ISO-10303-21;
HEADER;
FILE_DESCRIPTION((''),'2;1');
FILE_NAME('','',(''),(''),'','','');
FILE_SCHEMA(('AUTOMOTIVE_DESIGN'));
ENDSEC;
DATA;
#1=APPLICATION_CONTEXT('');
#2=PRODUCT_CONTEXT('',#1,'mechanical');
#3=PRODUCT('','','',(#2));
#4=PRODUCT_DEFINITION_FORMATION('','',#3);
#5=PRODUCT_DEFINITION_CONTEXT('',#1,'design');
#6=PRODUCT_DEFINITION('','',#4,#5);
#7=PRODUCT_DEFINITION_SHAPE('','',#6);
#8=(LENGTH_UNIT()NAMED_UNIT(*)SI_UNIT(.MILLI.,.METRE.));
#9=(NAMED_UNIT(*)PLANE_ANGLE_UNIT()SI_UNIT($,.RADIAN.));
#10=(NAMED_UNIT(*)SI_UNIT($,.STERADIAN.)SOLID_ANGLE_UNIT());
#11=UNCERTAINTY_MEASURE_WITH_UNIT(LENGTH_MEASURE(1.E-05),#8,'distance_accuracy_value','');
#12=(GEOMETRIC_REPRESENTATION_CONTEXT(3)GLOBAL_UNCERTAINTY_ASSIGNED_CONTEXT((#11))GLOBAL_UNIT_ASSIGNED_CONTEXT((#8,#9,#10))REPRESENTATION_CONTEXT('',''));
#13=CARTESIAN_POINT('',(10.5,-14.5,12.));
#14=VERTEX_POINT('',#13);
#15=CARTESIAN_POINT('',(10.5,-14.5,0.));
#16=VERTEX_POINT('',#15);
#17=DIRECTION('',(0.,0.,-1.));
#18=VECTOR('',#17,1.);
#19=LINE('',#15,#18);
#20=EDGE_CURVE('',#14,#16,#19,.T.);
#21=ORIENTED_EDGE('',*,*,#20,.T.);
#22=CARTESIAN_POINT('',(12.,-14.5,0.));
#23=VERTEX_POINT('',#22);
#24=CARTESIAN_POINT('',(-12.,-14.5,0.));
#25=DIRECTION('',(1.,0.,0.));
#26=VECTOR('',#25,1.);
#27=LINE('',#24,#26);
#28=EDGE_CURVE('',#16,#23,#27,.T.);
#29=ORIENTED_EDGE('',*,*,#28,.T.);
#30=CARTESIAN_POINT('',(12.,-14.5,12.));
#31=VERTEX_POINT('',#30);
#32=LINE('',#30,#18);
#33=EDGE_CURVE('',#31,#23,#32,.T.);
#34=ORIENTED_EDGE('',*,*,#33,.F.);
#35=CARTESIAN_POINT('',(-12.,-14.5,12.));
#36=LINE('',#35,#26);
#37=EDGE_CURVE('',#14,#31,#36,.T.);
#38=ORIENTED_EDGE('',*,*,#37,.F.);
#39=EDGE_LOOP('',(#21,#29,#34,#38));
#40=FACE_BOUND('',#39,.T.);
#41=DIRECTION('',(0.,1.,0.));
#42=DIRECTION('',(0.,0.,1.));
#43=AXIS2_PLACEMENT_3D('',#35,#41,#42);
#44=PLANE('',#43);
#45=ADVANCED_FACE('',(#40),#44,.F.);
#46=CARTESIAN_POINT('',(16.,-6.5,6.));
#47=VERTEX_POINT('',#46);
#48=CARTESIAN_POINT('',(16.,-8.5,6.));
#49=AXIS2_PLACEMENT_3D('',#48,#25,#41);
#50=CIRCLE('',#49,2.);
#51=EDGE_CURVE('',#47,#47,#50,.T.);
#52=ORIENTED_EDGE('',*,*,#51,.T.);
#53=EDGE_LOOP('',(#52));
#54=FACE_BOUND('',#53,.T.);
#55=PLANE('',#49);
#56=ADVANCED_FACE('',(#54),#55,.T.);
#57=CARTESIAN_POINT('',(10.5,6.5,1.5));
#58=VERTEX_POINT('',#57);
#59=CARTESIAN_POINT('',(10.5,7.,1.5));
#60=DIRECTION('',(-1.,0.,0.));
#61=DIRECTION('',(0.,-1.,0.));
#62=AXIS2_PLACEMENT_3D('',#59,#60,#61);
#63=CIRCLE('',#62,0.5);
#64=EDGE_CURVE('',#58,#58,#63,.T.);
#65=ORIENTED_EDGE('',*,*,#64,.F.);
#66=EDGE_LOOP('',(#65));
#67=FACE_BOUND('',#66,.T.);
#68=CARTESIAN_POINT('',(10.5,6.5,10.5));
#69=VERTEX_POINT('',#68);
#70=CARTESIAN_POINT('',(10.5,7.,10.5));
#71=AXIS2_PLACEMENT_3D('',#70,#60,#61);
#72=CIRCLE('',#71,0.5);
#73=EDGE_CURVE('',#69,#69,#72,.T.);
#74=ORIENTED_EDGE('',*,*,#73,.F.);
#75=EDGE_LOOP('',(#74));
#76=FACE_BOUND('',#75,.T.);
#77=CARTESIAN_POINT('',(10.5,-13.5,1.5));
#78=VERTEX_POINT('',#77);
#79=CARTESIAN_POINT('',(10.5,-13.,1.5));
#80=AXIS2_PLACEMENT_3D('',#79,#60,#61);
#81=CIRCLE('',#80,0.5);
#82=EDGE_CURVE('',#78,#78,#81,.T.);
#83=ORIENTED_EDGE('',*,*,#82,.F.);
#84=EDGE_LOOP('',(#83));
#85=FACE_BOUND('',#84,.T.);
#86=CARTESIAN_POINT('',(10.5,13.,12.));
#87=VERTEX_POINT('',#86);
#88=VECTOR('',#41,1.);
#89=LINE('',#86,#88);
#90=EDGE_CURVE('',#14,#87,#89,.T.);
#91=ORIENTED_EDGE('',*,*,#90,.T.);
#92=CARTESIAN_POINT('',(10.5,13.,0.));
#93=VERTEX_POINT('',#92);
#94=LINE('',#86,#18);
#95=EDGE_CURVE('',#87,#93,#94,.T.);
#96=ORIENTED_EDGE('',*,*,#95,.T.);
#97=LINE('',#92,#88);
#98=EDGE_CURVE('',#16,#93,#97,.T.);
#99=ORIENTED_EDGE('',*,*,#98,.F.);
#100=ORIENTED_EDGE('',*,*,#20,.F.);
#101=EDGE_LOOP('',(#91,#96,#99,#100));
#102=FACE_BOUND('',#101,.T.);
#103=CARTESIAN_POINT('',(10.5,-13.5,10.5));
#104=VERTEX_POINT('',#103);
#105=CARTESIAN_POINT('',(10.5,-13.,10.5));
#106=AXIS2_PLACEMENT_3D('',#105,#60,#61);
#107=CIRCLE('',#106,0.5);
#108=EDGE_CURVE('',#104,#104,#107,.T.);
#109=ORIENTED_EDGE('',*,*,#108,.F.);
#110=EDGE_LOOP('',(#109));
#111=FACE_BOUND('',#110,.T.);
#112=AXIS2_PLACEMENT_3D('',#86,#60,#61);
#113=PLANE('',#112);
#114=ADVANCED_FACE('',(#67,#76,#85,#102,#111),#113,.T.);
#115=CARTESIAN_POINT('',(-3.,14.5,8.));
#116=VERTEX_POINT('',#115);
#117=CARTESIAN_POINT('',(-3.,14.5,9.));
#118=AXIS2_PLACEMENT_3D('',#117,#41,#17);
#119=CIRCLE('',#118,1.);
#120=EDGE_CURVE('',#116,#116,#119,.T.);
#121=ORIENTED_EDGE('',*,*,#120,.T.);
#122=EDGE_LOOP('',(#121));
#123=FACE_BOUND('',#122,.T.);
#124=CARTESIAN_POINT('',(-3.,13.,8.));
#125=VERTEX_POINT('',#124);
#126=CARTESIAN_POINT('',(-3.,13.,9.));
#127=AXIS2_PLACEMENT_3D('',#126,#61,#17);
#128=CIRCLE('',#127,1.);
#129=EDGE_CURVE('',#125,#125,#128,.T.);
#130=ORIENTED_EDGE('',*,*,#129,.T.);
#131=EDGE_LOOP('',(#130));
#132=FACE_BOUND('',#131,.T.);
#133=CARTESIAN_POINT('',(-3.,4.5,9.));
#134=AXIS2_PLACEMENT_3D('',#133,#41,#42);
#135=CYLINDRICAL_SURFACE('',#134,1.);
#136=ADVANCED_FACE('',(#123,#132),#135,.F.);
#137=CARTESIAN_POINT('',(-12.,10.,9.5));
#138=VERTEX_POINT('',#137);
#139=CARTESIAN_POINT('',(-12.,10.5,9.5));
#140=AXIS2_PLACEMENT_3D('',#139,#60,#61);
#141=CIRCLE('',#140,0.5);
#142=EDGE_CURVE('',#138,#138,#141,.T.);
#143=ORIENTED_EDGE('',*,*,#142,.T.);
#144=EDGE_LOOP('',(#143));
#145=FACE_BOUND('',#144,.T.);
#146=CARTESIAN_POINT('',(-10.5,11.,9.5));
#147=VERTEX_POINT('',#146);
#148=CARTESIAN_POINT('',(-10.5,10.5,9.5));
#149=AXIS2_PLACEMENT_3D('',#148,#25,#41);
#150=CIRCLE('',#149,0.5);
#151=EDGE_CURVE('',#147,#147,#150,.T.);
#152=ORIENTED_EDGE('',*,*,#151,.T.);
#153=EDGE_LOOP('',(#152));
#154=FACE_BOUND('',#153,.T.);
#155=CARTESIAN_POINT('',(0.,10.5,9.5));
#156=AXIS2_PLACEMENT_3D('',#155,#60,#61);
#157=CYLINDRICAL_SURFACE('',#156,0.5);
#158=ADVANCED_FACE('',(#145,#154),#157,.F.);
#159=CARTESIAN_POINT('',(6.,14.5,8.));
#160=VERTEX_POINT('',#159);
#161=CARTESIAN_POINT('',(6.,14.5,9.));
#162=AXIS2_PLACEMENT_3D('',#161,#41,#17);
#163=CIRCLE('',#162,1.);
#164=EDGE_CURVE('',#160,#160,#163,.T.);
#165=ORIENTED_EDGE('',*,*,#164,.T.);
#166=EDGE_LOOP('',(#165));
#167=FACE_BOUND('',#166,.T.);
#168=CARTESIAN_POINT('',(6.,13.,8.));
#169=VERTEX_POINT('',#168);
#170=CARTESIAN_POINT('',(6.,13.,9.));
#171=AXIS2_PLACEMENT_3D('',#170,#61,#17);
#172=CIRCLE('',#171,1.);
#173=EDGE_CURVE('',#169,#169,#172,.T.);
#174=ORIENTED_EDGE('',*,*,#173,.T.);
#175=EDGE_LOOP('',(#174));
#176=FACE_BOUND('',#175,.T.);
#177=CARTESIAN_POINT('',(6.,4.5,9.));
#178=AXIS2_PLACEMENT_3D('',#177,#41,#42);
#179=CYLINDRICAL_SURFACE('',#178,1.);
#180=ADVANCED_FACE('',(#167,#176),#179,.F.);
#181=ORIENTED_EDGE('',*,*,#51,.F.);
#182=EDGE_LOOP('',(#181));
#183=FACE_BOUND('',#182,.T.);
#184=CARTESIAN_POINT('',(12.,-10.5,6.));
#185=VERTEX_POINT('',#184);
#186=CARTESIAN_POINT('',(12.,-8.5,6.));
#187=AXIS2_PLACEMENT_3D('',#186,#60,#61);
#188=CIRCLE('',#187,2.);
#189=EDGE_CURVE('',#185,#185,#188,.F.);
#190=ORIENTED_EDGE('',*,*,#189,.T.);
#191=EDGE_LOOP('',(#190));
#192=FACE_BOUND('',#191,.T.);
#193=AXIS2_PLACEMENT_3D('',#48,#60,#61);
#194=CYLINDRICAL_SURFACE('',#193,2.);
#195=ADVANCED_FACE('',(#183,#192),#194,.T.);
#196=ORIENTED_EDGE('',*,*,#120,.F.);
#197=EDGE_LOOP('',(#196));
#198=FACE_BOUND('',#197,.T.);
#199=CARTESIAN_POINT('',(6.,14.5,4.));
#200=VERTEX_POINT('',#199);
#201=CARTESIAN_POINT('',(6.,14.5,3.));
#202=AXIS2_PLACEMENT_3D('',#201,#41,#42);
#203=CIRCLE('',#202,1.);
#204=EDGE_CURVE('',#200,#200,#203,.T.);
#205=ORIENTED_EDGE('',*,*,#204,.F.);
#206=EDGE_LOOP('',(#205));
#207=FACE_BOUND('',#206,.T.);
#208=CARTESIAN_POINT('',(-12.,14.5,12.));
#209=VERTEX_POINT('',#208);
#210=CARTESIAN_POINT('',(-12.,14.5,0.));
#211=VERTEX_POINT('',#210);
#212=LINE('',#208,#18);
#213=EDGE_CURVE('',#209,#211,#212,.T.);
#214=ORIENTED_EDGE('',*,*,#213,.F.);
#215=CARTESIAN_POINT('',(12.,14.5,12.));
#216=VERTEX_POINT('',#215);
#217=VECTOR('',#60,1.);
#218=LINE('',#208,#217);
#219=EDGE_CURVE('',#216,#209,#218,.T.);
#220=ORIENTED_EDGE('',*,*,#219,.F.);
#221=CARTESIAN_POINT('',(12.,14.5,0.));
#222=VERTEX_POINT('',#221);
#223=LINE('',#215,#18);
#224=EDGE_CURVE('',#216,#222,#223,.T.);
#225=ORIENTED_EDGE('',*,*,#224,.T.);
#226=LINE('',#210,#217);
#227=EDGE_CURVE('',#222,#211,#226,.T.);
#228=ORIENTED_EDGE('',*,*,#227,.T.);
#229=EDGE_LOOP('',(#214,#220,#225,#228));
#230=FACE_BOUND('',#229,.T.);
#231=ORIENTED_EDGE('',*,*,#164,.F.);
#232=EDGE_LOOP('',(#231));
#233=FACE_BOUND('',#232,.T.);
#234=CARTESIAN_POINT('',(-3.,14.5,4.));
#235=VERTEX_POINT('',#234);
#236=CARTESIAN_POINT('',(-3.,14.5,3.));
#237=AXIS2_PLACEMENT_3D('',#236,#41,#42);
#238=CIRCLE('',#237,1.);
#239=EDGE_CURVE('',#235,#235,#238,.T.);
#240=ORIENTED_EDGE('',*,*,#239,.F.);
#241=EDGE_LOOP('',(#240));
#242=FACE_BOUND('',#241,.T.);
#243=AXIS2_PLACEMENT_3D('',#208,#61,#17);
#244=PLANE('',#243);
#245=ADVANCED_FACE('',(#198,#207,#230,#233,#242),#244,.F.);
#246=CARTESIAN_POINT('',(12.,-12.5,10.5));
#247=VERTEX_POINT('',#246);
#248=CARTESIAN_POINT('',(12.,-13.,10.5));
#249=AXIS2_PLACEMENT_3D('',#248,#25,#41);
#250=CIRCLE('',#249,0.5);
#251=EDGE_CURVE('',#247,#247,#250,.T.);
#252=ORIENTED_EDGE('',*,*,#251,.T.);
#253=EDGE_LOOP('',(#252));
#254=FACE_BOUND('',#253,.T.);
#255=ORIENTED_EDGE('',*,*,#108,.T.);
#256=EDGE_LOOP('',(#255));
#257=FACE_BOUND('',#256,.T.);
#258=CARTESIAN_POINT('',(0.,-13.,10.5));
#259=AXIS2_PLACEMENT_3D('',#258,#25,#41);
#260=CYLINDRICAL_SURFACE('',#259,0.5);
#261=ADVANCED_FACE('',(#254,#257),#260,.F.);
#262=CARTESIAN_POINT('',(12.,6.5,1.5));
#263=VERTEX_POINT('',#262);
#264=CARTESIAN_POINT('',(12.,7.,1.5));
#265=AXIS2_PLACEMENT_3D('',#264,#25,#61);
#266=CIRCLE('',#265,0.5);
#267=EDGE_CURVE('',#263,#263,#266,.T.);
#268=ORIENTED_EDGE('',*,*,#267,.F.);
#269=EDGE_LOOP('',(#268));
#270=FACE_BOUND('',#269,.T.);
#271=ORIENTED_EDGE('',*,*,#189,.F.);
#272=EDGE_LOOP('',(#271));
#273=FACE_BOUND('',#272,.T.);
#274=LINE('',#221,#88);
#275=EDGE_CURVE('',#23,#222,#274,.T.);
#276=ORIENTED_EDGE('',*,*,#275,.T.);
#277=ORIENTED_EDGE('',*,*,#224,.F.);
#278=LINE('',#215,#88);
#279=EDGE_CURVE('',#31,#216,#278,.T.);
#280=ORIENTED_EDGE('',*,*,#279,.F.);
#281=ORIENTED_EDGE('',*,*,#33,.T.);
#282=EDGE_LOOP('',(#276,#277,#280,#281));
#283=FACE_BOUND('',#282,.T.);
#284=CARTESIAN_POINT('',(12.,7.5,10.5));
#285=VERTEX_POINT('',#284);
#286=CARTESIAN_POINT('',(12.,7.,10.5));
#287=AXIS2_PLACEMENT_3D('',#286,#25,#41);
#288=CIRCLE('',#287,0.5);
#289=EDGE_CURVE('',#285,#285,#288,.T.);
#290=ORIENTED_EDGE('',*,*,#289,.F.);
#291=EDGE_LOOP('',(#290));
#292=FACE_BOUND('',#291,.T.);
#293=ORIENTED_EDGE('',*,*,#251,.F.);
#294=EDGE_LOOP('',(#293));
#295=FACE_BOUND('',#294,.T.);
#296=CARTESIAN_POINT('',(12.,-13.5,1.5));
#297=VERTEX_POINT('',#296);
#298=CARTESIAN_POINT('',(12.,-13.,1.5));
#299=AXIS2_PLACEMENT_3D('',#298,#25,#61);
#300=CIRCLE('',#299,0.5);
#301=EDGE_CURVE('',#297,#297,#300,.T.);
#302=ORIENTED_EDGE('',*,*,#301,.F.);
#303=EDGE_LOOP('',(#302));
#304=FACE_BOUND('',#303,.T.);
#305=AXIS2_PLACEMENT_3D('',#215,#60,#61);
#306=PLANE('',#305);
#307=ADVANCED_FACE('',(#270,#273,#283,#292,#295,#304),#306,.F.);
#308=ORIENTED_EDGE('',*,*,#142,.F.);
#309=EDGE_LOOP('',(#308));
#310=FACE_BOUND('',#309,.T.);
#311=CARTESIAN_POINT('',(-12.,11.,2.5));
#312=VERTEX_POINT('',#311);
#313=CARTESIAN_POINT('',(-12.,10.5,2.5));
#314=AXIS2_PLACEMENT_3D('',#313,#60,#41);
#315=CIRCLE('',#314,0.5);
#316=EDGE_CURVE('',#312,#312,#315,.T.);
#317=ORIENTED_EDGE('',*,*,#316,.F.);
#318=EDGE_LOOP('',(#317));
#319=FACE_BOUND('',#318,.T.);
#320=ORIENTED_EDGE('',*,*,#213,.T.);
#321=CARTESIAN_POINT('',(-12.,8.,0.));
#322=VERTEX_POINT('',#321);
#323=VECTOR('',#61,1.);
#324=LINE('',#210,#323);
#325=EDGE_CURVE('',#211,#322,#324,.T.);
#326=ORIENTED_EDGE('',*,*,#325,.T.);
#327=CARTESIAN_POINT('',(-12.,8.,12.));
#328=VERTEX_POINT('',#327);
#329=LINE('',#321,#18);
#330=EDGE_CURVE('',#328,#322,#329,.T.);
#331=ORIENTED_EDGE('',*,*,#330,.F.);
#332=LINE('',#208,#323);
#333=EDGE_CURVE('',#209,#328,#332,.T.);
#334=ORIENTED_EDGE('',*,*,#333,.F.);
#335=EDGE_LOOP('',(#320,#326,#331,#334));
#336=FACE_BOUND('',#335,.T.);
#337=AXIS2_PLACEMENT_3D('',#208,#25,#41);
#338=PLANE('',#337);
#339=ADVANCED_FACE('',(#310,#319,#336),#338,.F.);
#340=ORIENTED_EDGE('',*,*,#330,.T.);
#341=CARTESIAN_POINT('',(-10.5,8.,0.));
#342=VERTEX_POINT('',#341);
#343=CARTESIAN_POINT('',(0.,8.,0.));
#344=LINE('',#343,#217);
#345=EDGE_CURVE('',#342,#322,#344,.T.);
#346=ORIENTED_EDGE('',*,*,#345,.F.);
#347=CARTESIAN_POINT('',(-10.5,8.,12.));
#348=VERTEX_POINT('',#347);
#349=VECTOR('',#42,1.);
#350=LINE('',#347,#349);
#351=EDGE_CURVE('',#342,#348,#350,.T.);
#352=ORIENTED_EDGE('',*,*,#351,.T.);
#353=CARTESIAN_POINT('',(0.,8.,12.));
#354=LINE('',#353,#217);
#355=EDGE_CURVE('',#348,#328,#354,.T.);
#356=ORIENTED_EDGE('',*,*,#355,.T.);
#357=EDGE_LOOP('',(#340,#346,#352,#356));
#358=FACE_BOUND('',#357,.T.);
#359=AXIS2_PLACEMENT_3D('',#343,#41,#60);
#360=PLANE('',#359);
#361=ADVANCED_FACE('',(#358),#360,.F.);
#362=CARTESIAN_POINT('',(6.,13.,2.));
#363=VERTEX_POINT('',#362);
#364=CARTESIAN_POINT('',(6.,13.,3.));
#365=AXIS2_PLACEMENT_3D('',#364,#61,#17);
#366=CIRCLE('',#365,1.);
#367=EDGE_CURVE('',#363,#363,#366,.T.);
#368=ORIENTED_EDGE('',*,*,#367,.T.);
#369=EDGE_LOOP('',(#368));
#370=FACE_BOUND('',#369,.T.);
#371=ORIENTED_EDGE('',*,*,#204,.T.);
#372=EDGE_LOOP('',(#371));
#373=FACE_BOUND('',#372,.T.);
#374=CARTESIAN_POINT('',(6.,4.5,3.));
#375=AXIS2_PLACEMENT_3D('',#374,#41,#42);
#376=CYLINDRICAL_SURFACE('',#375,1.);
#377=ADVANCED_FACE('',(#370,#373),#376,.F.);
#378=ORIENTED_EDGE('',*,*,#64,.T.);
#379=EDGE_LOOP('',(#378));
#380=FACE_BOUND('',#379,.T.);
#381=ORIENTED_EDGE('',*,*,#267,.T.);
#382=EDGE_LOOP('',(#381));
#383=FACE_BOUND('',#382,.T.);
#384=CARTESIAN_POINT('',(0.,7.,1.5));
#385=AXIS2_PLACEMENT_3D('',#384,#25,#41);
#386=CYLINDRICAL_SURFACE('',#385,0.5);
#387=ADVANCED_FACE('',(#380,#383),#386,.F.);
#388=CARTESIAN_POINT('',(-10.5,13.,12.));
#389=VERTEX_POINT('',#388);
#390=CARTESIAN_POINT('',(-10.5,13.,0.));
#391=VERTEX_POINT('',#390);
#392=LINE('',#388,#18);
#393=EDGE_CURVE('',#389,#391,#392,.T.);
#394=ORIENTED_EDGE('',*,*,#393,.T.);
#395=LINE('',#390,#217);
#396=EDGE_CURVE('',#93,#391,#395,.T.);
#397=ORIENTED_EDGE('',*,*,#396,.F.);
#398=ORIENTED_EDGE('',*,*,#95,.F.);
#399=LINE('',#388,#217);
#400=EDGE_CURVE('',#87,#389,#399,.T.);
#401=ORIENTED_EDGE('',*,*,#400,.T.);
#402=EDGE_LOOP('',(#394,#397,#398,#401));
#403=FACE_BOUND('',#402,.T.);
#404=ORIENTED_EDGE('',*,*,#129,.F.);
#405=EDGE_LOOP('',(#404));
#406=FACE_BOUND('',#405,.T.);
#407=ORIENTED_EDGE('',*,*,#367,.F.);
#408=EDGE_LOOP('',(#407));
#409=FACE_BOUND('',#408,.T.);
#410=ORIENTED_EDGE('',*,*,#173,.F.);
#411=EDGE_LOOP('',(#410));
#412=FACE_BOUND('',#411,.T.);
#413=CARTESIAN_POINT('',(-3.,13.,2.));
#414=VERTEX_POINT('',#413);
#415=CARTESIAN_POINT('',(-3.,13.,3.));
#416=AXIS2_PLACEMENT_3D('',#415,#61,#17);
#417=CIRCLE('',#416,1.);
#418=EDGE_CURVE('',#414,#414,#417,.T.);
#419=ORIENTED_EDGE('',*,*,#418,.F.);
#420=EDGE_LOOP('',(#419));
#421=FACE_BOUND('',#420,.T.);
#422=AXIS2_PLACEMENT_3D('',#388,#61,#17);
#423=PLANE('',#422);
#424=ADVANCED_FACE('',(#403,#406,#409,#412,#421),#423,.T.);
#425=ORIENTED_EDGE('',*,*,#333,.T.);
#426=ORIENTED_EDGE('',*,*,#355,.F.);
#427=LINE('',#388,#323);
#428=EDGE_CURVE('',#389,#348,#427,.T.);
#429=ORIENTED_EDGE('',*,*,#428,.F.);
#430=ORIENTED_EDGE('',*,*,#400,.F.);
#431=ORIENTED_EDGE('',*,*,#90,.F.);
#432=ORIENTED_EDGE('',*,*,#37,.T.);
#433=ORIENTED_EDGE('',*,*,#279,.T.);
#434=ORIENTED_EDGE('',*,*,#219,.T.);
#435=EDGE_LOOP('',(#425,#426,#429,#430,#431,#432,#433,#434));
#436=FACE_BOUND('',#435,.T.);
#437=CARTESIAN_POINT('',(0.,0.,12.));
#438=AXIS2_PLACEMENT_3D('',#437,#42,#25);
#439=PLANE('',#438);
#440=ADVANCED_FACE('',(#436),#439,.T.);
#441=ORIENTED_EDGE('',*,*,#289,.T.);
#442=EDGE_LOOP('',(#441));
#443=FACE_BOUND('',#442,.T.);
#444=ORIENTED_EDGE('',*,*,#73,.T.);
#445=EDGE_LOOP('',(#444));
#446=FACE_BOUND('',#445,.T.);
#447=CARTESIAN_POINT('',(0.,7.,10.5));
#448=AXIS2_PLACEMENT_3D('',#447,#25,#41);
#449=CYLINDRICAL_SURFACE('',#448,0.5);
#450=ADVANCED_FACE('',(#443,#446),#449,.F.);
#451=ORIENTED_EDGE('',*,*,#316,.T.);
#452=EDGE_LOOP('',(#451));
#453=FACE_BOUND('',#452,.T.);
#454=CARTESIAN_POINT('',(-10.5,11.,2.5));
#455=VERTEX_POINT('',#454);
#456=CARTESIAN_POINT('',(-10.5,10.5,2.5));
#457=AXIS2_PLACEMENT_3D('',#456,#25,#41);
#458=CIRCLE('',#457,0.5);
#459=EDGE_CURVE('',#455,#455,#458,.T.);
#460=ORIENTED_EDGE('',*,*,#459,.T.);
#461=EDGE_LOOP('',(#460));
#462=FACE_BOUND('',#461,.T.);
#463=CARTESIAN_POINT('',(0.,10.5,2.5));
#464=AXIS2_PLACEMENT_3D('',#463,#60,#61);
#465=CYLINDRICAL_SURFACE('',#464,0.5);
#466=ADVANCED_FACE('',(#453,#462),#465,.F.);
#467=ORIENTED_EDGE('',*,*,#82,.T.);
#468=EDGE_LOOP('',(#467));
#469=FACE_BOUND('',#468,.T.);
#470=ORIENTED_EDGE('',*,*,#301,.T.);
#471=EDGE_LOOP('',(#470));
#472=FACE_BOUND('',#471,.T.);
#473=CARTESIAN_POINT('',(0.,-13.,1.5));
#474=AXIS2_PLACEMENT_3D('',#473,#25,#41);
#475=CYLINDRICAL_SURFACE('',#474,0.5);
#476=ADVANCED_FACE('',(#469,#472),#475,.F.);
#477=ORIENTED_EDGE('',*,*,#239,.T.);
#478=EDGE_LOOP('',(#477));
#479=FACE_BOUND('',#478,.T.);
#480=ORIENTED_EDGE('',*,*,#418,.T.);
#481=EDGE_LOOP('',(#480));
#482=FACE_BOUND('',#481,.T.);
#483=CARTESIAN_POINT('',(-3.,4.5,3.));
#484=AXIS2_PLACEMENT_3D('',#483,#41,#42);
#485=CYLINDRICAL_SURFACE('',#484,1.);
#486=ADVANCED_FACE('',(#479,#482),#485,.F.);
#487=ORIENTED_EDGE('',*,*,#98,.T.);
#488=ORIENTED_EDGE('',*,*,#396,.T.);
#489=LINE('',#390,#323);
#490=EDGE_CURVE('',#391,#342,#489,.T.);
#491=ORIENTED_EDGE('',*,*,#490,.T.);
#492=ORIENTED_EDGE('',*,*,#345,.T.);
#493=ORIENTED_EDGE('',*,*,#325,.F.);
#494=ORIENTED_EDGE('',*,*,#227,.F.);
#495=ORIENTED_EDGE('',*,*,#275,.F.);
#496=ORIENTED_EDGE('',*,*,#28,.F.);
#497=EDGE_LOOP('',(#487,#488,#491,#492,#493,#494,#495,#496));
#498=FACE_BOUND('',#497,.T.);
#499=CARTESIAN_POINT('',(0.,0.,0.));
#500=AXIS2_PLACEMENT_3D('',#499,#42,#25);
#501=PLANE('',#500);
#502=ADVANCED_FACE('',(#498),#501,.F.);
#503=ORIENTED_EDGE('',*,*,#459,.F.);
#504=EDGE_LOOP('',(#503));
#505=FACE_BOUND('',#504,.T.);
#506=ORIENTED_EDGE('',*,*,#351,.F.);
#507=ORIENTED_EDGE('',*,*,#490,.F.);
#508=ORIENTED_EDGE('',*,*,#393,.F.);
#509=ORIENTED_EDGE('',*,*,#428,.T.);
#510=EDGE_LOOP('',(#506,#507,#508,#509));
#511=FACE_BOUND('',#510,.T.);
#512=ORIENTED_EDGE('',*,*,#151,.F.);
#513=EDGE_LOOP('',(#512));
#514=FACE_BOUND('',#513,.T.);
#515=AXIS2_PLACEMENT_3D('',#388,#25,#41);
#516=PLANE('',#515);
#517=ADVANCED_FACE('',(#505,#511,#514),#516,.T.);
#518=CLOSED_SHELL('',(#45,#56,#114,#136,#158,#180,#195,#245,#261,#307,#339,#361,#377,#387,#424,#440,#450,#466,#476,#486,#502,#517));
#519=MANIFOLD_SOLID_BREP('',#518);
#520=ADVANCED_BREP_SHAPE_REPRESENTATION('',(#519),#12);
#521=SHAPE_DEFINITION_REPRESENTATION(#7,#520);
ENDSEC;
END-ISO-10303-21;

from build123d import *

# Parameters (mm, degrees)
SKETCH1_W           = 24
SKETCH1_H           = 29
SKETCH1_W_2         = 21
SKETCH1_H_2         = 26
BOSS_EXTRUDE1_DEPTH = 12
SKETCH2_W           = 21
SKETCH2_H           = 12
CUT_EXTRUDE1_DEPTH  = 33.314857264
SKETCH4_W           = 12
SKETCH4_H           = 22.5
CUT_EXTRUDE2_DEPTH  = 12
SKETCH5_R           = 0.5
CUT_EXTRUDE3_DEPTH  = 12
SKETCH6_R           = 0.5
CUT_EXTRUDE4_DEPTH  = 12
SKETCH7_R           = 2
BOSS_EXTRUDE2_DEPTH = 4
SKETCH9_R           = 1
CUT_EXTRUDE5_DEPTH  = 10


with BuildPart() as part:
    # Sketch1 → Boss-Extrude1 (new body)
    with BuildSketch(Plane.XY):
        Rectangle(SKETCH1_W, SKETCH1_H)
        Rectangle(SKETCH1_W_2, SKETCH1_H_2, mode=Mode.SUBTRACT)
    extrude(amount=BOSS_EXTRUDE1_DEPTH)

    # Sketch2 → Cut-Extrude1 (cut, through all)
    with BuildSketch(Plane(origin=(0, -13, 0), x_dir=(1, 0, 0), z_dir=(0, 1, 0))):
        with Locations((0, -6)):
            Rectangle(SKETCH2_W, SKETCH2_H)
    extrude(amount=-CUT_EXTRUDE1_DEPTH, mode=Mode.SUBTRACT)

    # Sketch4 → Cut-Extrude2 (cut)
    with BuildSketch(Plane.ZY.offset(12)):
        with Locations((6, -3.25)):
            Rectangle(SKETCH4_W, SKETCH4_H)
    extrude(amount=-CUT_EXTRUDE2_DEPTH, mode=Mode.SUBTRACT)

    # Sketch5 → Cut-Extrude3 (cut)
    with BuildSketch(Plane(origin=(12, 0, 0), x_dir=(0, 0, -1), z_dir=(1, 0, 0))):
        with Locations(Location((-10.5, -13, 0), (0, 0, 90))):
            Circle(SKETCH5_R)
        with Locations(Location((-1.5, -13, 0), (0, 0, 270))):
            Circle(SKETCH5_R)
        with Locations(Location((-10.5, 7, 0), (0, 0, 90))):
            Circle(SKETCH5_R)
        with Locations(Location((-1.5, 7, 0), (0, 0, 270))):
            Circle(SKETCH5_R)
    extrude(amount=-CUT_EXTRUDE3_DEPTH, mode=Mode.SUBTRACT)

    # Sketch6 → Cut-Extrude4 (cut)
    with BuildSketch(Plane.ZY.offset(12)):
        with Locations(Location((9.5, 10.5, 0), (0, 0, 270))):
            Circle(SKETCH6_R)
        with Locations(Location((2.5, 10.5, 0), (0, 0, 90))):
            Circle(SKETCH6_R)
    extrude(amount=-CUT_EXTRUDE4_DEPTH, mode=Mode.SUBTRACT)

    # Sketch7 → Boss-Extrude2 (add)
    with BuildSketch(Plane(origin=(12, 0, 0), x_dir=(0, 0, -1), z_dir=(1, 0, 0))):
        with Locations(Location((-6, -8.5, 0), (0, 0, 270))):
            Circle(SKETCH7_R)
    extrude(amount=BOSS_EXTRUDE2_DEPTH)

    # Sketch9 → Cut-Extrude5 (cut)
    with BuildSketch(Plane(origin=(0, 14.5, 0), x_dir=(1, 0, 0), z_dir=(0, 1, 0))):
        with Locations(Location((6, -3, 0), (0, 0, 270))):
            Circle(SKETCH9_R)
        with Locations(Location((6, -9, 0), (0, 0, 90))):
            Circle(SKETCH9_R)
        with Locations(Location((-3, -3, 0), (0, 0, 270))):
            Circle(SKETCH9_R)
        with Locations(Location((-3, -9, 0), (0, 0, 90))):
            Circle(SKETCH9_R)
    extrude(amount=-CUT_EXTRUDE5_DEPTH, mode=Mode.SUBTRACT)


solid = part.part
